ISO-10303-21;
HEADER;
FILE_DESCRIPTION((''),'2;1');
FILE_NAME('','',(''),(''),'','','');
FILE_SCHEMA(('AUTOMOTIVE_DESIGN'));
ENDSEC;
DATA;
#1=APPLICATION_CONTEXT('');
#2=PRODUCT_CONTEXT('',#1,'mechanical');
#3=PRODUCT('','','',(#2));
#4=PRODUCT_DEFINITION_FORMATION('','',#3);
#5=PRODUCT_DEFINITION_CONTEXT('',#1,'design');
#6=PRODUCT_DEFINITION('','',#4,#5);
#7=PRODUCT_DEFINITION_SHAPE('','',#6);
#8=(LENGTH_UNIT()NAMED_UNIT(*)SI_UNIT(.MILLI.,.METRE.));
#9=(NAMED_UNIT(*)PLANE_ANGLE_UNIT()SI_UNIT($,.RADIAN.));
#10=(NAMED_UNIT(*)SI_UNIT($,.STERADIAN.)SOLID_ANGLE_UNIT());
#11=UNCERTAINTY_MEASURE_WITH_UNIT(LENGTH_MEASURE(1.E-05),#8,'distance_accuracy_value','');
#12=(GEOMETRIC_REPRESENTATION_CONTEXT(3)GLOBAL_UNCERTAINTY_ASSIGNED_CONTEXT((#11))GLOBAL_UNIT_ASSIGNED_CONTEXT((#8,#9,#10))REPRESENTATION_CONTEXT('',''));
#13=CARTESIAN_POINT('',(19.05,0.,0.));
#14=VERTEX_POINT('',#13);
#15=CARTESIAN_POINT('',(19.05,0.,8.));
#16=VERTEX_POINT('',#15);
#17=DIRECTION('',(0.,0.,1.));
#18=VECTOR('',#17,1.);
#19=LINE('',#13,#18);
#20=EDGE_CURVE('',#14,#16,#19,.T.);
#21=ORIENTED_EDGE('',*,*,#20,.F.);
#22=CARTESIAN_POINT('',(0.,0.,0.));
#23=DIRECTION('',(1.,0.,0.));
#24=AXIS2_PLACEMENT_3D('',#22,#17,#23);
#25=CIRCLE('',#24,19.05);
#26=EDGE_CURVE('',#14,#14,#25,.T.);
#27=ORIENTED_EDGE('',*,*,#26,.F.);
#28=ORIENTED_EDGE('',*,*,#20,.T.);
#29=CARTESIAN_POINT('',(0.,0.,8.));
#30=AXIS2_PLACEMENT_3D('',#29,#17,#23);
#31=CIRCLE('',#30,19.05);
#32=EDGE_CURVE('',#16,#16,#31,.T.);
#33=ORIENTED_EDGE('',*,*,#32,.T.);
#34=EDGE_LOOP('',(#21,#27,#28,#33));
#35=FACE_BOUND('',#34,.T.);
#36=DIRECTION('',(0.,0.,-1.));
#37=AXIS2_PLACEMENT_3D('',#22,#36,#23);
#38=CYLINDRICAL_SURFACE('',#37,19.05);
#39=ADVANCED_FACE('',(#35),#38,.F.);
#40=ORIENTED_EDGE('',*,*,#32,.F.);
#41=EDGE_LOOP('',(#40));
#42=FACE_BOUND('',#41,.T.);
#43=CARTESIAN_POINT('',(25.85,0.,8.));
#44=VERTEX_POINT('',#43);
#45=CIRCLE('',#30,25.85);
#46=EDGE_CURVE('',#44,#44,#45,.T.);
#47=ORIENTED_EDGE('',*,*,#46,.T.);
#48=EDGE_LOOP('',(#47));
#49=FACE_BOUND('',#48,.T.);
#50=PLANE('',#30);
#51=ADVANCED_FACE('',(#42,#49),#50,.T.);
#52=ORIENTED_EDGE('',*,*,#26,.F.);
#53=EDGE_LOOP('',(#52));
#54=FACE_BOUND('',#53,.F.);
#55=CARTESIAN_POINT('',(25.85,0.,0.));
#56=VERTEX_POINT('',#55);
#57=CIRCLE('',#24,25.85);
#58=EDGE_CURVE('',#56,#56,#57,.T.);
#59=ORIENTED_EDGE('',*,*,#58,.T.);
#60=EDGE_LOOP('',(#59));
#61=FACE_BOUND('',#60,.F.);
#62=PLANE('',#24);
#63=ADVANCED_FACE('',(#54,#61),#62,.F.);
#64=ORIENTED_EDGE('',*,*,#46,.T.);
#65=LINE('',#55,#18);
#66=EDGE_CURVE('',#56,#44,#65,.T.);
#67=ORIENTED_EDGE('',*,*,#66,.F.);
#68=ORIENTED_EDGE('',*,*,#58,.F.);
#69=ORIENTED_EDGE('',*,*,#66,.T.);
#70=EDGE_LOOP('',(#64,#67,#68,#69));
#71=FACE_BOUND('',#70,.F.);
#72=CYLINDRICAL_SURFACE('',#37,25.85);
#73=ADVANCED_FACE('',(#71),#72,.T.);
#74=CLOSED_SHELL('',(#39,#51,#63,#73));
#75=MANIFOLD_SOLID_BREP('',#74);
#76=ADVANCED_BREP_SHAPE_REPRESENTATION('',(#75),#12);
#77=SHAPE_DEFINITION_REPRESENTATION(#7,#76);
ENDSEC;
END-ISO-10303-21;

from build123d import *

# Parameters (mm, degrees)
F0_R     = 25.85
F0_R_2   = 19.05
F1_DEPTH = 8


with BuildPart() as f1:
    # F0 (on Top) → F1 (new body)
    with BuildSketch(Plane.XY):
        Circle(F0_R)
        Circle(F0_R_2, mode=Mode.SUBTRACT)
    extrude(amount=F1_DEPTH)


solid = f1.part
